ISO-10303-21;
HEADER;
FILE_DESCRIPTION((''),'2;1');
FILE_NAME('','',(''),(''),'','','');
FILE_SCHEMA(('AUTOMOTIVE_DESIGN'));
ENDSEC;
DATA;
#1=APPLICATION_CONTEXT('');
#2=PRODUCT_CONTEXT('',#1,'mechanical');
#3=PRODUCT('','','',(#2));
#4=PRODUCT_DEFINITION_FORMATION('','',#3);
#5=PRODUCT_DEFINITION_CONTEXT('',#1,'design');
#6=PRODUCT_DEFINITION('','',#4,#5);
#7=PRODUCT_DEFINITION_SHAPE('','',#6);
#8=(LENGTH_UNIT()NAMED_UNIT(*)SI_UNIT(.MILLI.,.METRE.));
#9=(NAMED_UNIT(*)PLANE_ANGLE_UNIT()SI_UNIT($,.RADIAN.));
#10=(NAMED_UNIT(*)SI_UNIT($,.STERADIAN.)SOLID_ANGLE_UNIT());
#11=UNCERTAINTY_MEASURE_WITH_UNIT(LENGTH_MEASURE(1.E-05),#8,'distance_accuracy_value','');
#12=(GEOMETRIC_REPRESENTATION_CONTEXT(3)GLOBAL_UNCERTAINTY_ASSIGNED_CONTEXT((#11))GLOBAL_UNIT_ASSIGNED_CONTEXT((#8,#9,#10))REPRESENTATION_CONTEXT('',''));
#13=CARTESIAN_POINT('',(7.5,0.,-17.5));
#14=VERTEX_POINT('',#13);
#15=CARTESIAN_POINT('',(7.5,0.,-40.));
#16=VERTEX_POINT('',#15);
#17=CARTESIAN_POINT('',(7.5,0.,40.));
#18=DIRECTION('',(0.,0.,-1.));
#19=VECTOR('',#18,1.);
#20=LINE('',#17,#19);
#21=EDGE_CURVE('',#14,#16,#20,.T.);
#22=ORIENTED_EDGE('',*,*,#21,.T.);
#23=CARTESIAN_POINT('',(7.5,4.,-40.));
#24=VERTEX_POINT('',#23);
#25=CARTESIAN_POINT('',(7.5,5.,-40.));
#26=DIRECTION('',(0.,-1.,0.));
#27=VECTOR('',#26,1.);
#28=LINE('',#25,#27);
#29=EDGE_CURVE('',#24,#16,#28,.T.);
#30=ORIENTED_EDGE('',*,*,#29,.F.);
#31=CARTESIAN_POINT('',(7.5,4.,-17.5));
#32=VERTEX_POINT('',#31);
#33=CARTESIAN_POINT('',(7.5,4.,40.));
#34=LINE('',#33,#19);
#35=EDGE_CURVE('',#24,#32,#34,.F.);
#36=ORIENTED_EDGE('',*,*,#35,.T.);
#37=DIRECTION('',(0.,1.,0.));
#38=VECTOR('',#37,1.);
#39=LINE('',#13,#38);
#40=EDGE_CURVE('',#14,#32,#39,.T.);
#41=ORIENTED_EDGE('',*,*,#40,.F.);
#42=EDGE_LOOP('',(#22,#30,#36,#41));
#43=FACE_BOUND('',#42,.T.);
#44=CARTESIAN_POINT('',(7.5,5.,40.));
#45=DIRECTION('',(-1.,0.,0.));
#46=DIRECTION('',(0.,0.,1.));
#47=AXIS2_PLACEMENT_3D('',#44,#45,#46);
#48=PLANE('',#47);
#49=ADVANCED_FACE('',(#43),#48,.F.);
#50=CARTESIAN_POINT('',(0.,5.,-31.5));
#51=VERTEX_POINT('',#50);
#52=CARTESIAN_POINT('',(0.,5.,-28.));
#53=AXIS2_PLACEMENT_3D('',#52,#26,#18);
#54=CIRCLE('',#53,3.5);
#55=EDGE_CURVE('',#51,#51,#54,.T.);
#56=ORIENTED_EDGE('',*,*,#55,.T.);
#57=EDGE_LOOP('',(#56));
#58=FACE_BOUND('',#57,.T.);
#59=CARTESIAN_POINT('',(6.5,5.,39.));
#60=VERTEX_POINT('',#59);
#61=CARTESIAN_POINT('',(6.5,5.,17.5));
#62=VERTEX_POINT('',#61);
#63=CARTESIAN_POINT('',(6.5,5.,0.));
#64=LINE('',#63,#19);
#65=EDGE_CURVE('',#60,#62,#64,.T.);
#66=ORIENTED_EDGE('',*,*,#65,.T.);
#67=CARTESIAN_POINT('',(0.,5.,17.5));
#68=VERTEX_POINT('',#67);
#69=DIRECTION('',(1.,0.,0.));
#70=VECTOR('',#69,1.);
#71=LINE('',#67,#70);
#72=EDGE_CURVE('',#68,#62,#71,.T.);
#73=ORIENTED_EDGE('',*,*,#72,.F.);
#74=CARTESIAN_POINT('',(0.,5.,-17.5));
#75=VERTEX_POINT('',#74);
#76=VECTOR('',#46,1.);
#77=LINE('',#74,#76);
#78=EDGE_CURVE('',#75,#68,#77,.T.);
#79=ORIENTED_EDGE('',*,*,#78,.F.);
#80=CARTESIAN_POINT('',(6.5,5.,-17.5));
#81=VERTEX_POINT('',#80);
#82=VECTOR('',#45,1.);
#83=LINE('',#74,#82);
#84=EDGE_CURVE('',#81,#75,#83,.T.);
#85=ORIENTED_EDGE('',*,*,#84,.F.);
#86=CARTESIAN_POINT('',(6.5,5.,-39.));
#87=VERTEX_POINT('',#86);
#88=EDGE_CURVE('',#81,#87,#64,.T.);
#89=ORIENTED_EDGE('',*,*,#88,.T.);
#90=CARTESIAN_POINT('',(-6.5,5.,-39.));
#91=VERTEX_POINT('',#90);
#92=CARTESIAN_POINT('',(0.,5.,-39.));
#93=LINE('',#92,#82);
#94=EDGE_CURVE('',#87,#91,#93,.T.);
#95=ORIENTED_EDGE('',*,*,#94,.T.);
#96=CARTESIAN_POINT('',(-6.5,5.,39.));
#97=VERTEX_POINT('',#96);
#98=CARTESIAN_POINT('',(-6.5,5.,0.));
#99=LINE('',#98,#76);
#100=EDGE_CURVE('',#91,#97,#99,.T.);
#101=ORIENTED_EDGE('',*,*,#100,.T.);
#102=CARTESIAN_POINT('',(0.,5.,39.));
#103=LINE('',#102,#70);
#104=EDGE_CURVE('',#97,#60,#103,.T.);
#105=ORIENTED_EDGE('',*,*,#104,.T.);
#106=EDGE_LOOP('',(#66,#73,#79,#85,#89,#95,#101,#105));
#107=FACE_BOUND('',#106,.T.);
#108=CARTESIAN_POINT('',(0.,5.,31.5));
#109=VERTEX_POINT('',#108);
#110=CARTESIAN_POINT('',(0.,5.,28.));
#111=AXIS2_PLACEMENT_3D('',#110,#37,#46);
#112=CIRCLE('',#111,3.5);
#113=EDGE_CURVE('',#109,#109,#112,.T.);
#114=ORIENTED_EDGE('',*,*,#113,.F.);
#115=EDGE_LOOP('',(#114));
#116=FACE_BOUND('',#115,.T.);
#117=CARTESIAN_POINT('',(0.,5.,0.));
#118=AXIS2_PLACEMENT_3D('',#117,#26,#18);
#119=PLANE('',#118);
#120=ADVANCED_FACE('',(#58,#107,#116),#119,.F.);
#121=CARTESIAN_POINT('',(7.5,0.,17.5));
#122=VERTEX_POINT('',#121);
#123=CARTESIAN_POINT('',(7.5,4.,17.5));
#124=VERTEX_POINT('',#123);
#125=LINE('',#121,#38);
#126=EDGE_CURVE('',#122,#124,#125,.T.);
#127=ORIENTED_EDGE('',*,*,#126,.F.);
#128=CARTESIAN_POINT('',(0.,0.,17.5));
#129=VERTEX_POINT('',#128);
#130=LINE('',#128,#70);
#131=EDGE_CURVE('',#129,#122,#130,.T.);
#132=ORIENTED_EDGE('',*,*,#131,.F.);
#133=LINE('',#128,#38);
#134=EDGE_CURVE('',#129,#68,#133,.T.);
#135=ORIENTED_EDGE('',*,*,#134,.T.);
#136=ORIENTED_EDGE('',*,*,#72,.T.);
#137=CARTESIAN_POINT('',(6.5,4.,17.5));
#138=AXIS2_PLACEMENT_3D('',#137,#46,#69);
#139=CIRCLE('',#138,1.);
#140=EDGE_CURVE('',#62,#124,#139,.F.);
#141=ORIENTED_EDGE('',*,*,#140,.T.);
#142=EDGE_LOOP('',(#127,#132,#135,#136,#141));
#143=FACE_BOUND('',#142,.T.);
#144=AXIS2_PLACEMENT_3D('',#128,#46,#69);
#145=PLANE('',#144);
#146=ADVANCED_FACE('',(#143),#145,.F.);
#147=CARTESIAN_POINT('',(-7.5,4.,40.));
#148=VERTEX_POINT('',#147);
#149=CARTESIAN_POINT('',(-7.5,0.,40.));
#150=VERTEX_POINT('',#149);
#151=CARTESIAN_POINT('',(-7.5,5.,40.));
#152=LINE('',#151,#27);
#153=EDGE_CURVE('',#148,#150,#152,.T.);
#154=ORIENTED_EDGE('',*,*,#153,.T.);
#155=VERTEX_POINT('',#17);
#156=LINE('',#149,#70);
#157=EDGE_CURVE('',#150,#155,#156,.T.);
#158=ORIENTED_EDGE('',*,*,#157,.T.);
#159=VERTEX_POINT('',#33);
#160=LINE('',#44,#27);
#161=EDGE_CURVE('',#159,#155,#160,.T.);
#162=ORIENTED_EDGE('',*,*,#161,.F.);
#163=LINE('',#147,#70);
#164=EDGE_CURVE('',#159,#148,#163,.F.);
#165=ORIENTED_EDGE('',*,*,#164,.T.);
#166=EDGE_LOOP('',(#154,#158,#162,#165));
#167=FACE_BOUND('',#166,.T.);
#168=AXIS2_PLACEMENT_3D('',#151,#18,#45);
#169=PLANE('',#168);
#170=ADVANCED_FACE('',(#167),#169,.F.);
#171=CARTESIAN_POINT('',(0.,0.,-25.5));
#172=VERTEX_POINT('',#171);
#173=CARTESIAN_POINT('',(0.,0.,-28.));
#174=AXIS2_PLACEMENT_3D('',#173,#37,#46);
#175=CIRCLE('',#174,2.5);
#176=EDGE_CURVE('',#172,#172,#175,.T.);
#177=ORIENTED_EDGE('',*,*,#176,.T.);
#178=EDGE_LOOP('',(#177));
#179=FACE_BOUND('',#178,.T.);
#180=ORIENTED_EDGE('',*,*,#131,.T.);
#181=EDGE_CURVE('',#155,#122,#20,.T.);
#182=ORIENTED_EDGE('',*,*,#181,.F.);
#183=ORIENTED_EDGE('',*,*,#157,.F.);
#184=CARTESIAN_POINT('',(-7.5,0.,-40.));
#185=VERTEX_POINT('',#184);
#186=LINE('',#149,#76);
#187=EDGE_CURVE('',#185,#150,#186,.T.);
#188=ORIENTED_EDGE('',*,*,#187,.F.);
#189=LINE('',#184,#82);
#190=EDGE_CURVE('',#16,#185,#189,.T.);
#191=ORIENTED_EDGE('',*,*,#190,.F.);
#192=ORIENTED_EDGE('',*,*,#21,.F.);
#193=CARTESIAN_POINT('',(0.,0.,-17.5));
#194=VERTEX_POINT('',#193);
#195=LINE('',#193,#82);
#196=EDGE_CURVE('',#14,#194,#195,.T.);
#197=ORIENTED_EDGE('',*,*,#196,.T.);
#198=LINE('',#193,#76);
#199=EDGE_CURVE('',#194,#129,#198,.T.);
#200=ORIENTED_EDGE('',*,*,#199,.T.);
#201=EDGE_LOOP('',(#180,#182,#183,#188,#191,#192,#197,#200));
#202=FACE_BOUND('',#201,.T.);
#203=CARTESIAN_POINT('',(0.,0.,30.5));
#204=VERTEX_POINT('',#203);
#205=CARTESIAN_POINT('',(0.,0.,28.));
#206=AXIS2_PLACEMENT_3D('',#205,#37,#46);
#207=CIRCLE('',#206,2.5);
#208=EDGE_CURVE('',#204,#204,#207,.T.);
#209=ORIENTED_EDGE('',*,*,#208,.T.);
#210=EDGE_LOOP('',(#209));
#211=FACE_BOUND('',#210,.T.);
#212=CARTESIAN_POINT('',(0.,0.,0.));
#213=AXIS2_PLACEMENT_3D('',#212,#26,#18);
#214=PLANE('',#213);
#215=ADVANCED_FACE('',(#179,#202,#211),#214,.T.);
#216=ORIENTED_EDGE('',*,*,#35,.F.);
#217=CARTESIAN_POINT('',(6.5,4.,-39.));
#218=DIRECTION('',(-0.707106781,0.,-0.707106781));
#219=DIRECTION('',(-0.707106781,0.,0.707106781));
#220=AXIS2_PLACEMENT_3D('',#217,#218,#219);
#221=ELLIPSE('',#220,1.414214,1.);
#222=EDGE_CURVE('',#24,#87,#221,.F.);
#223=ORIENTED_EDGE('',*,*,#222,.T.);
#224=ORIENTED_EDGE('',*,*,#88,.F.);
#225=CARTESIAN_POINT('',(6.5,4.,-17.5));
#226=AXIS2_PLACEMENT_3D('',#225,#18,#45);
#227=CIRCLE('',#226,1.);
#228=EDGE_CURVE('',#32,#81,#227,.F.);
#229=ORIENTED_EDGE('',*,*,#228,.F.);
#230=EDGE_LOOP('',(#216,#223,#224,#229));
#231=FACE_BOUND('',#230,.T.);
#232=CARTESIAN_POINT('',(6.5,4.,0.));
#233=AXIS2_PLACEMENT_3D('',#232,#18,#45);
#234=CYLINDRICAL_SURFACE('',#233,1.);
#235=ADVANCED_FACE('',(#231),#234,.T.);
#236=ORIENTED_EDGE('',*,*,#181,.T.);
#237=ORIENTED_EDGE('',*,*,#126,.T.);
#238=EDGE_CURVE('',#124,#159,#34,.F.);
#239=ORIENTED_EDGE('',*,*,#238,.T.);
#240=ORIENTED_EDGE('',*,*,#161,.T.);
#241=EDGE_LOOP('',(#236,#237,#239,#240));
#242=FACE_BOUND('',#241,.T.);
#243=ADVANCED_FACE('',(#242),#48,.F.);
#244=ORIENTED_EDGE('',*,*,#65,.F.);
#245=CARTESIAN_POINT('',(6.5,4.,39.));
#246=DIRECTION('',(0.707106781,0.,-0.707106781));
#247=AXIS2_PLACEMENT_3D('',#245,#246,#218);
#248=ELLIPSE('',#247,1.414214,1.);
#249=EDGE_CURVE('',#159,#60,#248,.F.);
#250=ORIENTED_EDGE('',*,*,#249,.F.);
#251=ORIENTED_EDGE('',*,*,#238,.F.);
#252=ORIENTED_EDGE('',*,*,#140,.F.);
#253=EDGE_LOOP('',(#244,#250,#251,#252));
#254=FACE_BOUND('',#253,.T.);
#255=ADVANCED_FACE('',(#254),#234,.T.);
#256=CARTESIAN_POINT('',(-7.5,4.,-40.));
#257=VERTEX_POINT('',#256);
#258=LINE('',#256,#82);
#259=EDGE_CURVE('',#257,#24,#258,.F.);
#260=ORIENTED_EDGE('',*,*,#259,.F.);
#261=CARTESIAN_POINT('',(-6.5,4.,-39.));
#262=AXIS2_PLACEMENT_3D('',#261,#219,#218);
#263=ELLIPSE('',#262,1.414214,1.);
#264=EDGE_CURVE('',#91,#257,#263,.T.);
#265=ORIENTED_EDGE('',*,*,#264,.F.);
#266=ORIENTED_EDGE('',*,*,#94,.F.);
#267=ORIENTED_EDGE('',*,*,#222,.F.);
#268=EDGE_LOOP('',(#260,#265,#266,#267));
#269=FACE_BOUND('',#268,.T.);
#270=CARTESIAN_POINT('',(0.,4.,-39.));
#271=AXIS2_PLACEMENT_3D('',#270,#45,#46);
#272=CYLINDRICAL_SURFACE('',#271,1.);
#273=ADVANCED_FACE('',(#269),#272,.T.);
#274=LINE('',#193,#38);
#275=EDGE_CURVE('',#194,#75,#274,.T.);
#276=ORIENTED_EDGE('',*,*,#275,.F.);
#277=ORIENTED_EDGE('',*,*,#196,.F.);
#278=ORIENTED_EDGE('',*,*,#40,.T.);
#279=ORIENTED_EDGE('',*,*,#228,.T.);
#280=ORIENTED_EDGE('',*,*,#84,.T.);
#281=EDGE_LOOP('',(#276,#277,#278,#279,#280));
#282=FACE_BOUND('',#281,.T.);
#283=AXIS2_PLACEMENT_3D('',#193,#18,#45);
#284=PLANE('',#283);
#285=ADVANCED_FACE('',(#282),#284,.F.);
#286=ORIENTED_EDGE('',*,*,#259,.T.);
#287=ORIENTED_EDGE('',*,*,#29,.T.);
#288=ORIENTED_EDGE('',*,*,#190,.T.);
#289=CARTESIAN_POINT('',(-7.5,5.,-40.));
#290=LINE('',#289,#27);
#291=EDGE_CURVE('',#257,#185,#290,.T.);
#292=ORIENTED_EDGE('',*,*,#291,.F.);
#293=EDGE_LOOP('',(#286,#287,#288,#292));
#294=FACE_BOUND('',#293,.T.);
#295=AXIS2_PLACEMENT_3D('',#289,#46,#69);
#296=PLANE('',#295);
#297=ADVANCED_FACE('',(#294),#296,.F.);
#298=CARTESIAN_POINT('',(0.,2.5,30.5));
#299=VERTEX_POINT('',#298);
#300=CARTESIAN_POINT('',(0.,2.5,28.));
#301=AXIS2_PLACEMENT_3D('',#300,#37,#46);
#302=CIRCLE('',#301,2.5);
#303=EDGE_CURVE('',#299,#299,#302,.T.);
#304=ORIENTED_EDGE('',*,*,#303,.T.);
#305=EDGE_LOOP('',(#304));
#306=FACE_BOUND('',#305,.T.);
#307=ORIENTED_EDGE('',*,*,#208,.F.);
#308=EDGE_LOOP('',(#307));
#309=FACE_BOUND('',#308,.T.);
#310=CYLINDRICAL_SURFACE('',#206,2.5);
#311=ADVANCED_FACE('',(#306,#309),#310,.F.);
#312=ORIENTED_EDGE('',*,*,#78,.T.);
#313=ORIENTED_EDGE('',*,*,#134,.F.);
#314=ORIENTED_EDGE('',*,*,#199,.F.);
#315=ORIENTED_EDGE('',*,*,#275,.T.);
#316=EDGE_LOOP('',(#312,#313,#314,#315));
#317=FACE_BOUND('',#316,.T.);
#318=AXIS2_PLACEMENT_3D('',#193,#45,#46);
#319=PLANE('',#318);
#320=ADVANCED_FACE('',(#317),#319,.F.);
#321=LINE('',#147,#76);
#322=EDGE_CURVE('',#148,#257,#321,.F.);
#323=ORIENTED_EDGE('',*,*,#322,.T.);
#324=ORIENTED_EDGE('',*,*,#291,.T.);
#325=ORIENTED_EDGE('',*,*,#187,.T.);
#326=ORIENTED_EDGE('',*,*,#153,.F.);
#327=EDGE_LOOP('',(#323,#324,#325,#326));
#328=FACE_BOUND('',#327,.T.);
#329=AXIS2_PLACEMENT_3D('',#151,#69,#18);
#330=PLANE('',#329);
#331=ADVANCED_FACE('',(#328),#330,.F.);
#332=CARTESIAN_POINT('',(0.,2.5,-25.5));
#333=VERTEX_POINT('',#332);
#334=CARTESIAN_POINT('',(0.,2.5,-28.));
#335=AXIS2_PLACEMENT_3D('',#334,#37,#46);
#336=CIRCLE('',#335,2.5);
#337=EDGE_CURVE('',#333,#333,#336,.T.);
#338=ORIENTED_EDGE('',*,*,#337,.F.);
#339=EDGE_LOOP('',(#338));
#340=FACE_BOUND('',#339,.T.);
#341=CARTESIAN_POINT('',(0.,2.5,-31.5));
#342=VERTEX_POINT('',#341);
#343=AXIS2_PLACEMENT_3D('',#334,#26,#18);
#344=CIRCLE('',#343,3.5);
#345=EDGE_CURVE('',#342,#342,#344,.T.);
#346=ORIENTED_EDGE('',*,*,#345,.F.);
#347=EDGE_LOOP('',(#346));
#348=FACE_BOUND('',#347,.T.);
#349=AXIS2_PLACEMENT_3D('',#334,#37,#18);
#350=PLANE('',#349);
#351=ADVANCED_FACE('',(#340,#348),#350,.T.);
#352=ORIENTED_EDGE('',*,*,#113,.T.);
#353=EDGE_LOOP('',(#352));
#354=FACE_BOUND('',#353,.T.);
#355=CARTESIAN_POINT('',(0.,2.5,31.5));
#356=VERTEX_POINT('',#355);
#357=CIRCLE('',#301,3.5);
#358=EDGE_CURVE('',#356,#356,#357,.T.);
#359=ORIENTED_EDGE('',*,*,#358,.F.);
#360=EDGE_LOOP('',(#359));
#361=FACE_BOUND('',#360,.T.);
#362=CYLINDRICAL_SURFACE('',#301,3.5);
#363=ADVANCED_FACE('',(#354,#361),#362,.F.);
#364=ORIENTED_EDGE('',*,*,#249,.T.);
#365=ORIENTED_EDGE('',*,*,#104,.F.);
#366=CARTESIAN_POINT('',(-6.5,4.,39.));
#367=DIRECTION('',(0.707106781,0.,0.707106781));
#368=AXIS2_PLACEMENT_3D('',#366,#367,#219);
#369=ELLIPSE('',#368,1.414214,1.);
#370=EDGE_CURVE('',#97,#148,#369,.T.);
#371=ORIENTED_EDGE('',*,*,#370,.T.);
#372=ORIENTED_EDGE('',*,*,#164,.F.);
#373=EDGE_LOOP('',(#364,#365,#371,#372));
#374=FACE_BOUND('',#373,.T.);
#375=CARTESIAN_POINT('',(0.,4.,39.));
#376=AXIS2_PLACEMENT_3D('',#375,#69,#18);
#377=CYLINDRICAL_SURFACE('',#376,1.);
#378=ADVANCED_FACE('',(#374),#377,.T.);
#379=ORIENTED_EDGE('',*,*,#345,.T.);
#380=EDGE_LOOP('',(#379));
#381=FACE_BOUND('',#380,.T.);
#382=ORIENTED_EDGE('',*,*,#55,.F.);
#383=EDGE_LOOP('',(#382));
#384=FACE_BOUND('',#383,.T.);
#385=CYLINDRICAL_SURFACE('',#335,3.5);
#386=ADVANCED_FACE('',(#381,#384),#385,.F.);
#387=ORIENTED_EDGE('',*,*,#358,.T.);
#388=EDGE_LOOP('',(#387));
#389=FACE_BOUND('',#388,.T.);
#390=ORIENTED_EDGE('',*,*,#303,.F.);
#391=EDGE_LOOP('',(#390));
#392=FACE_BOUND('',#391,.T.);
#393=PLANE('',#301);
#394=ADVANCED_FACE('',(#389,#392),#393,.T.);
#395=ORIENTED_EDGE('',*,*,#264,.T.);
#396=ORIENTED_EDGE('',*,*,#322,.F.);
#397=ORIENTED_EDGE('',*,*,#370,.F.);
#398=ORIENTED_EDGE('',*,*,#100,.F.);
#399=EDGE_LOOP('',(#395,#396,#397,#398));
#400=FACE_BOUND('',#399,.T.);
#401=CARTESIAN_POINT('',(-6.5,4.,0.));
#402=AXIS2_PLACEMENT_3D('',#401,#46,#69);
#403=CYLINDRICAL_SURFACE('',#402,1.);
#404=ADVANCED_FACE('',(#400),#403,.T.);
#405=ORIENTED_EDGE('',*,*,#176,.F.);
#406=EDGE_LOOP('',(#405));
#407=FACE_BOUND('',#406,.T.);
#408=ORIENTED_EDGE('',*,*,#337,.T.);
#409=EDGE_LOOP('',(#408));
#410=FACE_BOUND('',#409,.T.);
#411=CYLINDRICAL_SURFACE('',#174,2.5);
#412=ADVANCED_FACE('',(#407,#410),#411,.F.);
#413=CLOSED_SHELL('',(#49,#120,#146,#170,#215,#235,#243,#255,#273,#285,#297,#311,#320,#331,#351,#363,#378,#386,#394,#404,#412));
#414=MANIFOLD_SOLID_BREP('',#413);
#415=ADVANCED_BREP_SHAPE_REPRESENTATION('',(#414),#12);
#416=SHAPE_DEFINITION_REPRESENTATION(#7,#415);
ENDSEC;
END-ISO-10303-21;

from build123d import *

# Parameters (mm, degrees)
SKETCH1_W           = 15
SKETCH1_H           = 80
BOSS_EXTRUDE1_DEPTH = 5
SKETCH2_R           = 3.5
CUT_EXTRUDE1_DEPTH  = 2.5
FILLET1_R           = 1
SKETCH3_W           = 7.5
SKETCH3_H           = 35
CUT_EXTRUDE2_DEPTH  = 42.003048667
SKETCH4_R           = 2.5
CUT_EXTRUDE3_DEPTH  = 41.773766076


with BuildPart() as part:
    # Sketch1 → Boss-Extrude1 (new body)
    with BuildSketch(Plane(origin=(0, 0, 0), x_dir=(1, 0, 0), z_dir=(0, 1, 0))):
        Rectangle(SKETCH1_W, SKETCH1_H)
    extrude(amount=BOSS_EXTRUDE1_DEPTH)

    # Sketch2 → Cut-Extrude1 (cut)
    with BuildSketch(Plane(origin=(0, 5, 0), x_dir=(1, 0, 0), z_dir=(0, 1, 0))):
        with Locations(Location((0, -28, 0), (0, 0, 270))):
            Circle(SKETCH2_R)
    cut_extrude1 = extrude(amount=-CUT_EXTRUDE1_DEPTH, mode=Mode.SUBTRACT)

    # Mirror1: Cut-Extrude1 across plane
    add(cut_extrude1.mirror(Plane.XY), mode=Mode.SUBTRACT)

    # Fillet1
    fillet1_edges = [part.edges().sort_by_distance(p)[0] for p in [
        (-7.5, 5, 0),
        (0, 5, 40),
        (7.5, 5, 0),
        (0, 5, -40),
    ]]
    fillet(fillet1_edges, radius=FILLET1_R)

    # Sketch3 → Cut-Extrude2 (cut, through all)
    with BuildSketch(Plane(origin=(0, 5, 0), x_dir=(1, 0, 0), z_dir=(0, 1, 0))):
        with Locations((3.75, 0)):
            Rectangle(SKETCH3_W, SKETCH3_H)
    extrude(amount=-CUT_EXTRUDE2_DEPTH, mode=Mode.SUBTRACT)

    # Sketch4 → Cut-Extrude3 (cut, through all)
    with BuildSketch(Plane(origin=(0, 2.5, 0), x_dir=(1, 0, 0), z_dir=(0, 1, 0))):
        with Locations(Location((0, 28, 0), (0, 0, 270))):
            Circle(SKETCH4_R)
        with Locations(Location((0, -28, 0), (0, 0, 270))):
            Circle(SKETCH4_R)
    extrude(amount=-CUT_EXTRUDE3_DEPTH, mode=Mode.SUBTRACT)


solid = part.part
